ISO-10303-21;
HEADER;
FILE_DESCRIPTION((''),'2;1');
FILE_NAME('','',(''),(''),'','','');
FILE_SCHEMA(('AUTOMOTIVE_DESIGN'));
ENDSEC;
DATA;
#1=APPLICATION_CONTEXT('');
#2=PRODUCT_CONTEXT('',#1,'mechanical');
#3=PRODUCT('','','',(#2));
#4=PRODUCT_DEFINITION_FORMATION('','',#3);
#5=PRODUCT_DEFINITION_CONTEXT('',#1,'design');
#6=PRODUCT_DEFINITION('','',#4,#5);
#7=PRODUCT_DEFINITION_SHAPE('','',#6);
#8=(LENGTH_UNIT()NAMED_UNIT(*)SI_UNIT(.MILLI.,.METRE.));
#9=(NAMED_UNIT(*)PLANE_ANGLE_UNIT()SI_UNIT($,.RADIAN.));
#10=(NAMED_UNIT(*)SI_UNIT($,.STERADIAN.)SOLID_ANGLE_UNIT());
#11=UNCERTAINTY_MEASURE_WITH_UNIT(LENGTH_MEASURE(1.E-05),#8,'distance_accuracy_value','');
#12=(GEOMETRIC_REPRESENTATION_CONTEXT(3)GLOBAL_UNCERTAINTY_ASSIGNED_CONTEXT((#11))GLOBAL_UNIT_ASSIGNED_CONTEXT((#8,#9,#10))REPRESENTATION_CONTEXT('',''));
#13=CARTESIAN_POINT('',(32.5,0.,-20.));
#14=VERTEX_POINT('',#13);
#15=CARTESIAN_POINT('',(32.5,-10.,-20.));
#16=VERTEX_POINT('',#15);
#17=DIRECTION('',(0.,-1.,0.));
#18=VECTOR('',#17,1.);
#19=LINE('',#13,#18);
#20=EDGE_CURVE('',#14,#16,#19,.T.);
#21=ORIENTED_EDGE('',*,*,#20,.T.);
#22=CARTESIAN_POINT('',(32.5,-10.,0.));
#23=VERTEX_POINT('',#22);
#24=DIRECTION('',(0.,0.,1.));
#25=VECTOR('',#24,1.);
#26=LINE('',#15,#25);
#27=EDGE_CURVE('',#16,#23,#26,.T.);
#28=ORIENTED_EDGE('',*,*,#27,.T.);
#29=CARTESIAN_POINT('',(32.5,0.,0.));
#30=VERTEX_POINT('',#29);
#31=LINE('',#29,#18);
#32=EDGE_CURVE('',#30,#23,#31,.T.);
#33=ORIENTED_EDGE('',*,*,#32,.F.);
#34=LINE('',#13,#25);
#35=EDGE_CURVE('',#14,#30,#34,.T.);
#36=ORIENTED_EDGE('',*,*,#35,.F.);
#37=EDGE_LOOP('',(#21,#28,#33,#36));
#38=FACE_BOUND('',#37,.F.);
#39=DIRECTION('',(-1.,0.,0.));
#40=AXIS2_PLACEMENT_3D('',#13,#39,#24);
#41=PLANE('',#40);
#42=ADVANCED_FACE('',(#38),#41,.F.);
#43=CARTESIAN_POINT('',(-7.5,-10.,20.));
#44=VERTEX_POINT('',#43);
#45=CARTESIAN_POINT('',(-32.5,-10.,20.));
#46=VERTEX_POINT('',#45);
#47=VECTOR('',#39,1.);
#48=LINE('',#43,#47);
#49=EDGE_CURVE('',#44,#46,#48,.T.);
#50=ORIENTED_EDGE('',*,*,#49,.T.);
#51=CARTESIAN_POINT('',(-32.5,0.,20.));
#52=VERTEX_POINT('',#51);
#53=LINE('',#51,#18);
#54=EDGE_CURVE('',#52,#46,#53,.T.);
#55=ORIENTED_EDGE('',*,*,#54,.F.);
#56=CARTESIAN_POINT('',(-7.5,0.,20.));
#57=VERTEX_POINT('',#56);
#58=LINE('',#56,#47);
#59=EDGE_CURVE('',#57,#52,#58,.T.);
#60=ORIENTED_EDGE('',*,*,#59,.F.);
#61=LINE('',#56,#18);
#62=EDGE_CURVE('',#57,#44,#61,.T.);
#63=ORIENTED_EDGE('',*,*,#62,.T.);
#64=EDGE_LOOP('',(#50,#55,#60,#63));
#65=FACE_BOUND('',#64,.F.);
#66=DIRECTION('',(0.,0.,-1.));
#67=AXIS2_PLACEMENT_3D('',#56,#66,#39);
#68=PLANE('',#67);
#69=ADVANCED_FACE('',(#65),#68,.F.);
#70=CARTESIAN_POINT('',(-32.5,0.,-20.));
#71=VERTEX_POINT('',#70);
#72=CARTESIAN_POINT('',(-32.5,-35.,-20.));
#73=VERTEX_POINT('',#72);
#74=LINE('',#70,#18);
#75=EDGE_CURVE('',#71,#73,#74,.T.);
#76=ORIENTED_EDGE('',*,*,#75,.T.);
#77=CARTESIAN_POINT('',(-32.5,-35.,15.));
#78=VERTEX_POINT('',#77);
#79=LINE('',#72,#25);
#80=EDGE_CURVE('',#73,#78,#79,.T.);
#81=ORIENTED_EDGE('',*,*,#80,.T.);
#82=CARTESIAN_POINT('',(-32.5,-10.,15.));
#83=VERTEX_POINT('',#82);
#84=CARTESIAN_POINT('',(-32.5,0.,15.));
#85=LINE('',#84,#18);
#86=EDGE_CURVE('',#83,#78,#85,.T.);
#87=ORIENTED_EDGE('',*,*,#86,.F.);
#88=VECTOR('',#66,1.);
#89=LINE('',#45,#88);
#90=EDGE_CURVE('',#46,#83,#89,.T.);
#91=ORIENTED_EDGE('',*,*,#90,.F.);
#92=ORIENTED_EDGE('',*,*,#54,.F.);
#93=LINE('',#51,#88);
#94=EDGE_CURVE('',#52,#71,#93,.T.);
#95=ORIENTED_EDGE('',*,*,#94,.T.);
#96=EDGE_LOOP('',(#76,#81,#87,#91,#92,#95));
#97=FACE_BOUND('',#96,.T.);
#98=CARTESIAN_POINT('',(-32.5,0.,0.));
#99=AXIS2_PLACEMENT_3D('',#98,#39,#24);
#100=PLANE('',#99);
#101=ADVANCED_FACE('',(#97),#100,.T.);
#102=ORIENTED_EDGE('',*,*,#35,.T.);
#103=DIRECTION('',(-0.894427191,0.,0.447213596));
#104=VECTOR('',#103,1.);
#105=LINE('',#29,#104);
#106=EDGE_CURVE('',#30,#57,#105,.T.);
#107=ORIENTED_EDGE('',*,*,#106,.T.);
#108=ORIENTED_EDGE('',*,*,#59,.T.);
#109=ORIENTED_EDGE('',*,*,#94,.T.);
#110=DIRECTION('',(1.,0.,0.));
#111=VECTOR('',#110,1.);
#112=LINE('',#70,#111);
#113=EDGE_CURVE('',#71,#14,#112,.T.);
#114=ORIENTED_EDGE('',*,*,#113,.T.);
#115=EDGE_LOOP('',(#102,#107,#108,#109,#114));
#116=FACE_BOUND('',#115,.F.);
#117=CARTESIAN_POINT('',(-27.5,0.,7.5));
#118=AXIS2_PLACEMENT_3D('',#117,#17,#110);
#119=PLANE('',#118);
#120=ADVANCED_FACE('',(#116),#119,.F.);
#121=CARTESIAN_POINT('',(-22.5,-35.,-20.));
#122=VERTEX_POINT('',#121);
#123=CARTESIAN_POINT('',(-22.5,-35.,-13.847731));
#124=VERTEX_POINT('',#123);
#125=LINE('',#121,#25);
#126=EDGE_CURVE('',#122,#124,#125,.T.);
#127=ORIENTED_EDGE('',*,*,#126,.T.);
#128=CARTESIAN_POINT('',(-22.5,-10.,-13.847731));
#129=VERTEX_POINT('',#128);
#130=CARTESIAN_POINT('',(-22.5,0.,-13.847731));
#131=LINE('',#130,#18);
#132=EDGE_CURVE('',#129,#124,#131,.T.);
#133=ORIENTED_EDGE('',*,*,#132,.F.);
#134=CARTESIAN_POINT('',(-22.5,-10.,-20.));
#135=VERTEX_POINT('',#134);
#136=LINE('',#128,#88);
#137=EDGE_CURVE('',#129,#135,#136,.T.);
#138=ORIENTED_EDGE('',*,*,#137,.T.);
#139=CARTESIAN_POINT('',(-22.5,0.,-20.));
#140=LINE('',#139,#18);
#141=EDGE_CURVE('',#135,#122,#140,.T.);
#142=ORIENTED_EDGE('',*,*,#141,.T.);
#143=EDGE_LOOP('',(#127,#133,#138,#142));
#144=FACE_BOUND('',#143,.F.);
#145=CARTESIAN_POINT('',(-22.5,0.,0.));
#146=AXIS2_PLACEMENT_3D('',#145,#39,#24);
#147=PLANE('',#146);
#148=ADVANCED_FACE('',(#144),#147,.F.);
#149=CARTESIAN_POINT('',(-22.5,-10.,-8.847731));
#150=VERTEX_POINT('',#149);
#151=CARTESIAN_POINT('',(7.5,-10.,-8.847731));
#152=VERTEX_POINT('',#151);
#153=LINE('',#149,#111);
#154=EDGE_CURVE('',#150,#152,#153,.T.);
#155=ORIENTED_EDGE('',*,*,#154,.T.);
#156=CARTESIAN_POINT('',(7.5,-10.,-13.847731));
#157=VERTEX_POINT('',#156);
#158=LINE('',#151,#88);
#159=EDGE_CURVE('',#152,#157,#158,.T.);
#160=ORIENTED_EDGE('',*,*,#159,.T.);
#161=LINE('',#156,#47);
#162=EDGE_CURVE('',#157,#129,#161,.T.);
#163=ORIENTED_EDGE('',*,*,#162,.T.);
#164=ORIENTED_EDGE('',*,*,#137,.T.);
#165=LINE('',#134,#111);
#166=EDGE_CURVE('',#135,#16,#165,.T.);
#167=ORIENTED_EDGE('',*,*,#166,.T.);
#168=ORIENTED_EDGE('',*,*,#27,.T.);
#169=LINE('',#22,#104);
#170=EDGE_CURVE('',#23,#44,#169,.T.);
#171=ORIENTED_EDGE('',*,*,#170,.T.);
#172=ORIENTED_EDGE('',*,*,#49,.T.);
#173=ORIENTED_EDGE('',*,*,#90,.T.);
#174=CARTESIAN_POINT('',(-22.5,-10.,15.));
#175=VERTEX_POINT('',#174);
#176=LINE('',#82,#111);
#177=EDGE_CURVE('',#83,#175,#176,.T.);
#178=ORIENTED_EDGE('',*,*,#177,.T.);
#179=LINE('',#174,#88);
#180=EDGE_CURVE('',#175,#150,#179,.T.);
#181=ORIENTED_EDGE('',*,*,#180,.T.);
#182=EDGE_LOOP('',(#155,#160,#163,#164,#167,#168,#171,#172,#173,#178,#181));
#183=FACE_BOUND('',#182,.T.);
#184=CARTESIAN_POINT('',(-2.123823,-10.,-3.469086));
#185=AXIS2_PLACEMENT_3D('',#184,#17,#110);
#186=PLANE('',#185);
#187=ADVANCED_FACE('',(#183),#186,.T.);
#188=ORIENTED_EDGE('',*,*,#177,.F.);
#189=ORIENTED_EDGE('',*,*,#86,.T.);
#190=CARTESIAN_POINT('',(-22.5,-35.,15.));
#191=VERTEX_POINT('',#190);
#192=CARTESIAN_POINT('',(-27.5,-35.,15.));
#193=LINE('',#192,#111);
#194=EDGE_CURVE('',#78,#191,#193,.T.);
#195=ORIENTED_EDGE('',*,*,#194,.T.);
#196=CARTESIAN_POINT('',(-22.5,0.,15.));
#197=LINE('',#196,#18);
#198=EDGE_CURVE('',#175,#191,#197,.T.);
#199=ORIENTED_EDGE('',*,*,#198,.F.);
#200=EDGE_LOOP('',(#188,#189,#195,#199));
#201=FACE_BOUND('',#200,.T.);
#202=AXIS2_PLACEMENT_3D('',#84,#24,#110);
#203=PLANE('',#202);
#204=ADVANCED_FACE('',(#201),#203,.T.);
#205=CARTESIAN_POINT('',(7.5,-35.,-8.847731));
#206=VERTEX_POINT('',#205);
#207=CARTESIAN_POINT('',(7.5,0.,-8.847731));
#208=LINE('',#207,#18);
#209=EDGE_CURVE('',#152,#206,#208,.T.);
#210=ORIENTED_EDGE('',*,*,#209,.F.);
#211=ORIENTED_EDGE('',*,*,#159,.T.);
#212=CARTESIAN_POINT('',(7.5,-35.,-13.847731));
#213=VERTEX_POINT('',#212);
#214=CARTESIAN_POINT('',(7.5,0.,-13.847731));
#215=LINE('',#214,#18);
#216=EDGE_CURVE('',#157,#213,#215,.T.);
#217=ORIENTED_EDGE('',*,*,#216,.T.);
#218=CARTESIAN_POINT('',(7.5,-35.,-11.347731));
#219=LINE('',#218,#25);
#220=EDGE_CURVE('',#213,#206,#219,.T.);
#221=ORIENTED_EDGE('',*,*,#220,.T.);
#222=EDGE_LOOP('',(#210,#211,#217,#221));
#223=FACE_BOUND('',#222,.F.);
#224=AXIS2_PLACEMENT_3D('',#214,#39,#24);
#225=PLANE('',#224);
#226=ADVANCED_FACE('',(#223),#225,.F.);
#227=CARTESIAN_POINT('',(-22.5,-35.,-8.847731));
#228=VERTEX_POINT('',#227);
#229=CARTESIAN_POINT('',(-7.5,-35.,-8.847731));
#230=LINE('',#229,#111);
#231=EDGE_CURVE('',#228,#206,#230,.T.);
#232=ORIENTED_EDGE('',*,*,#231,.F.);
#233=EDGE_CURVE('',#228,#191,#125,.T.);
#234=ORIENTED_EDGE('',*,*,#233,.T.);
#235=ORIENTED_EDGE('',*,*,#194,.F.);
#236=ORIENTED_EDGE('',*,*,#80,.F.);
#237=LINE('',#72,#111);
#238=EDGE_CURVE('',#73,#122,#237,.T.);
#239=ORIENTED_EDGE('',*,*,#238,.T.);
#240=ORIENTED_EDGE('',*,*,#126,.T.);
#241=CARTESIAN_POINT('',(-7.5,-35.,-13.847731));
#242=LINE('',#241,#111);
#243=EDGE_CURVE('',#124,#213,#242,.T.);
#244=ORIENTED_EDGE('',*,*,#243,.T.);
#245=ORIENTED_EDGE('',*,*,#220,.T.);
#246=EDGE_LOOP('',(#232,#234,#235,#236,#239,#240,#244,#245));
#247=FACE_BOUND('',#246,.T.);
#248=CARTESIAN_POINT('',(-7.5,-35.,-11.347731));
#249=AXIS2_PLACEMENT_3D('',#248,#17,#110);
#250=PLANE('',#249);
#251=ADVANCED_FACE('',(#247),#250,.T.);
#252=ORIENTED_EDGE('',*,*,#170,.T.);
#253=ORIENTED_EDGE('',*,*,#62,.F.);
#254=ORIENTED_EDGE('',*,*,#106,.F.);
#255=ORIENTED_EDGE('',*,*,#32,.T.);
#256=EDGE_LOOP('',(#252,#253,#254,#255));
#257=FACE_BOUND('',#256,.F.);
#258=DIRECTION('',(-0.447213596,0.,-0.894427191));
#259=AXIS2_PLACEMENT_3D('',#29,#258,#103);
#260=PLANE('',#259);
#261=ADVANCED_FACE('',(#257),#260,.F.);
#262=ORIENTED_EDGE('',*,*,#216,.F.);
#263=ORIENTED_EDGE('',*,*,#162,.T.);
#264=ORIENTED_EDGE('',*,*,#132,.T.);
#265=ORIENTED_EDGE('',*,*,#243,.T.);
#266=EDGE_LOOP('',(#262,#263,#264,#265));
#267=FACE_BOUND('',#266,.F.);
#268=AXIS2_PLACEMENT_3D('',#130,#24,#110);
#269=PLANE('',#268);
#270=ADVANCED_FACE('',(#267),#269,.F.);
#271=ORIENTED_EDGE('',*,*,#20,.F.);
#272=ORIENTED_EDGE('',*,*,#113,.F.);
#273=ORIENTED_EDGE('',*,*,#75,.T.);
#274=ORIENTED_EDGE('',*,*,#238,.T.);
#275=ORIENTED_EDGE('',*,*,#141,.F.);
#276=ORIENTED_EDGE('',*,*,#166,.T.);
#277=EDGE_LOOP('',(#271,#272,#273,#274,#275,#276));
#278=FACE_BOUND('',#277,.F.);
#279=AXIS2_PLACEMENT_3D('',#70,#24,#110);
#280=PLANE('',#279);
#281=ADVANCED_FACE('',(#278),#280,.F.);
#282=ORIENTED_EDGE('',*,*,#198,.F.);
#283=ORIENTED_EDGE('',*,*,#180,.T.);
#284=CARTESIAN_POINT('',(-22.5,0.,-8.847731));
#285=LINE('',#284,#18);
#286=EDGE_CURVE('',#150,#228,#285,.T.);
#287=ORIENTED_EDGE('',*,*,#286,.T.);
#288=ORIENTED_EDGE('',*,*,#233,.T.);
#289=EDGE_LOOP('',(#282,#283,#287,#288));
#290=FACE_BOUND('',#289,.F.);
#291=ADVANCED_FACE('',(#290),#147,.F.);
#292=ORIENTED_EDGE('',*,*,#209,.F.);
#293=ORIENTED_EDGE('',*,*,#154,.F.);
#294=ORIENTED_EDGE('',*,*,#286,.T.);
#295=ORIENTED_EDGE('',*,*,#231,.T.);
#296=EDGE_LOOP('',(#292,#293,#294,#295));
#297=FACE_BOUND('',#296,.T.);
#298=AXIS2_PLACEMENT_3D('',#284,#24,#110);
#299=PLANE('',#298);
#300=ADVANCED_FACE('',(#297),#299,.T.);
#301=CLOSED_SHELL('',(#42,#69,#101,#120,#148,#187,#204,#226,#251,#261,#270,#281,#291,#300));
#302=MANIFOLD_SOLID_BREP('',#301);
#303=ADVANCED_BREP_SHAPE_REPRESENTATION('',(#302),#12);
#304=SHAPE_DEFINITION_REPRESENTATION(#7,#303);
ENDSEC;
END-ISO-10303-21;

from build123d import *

# Parameters (mm, degrees)
F1_DEPTH = 10
F2_DEPTH = 35
F0_W     = 10
F0_H     = 15
F3_DEPTH = 35
F0_W_2   = 30
F0_H_2   = 5
F4_DEPTH = 35


with BuildPart() as f1:
    # F0 (on Front) → F1 (new body)
    with BuildSketch(Plane.XZ):
        Polygon((-22.5, -20), (32.5, -20), (32.5, 0), (-7.5, 20), (-32.5, 20), (-32.5, 15), (-22.5, 15), (-22.5, 0), (-22.5, -8.847731), (7.5, -8.847731), (7.5, -13.847731), (-22.5, -13.847731), align=None)
    extrude(amount=F1_DEPTH)

    # F0 (on Front) → F2 (join)
    with BuildSketch(Plane.XZ):
        Polygon((-32.5, -20), (-22.5, -20), (-22.5, -13.847731), (-22.5, -8.847731), (-22.5, 0), (-32.5, 0), align=None)
    extrude(amount=F2_DEPTH)

    # F0 (on Front) → F3 (join)
    with BuildSketch(Plane.XZ):
        with Locations((-27.5, 7.5)):
            Rectangle(F0_W, F0_H)
    extrude(amount=F3_DEPTH)

    # F0 (on Front) → F4 (join)
    with BuildSketch(Plane.XZ):
        with Locations((-7.5, -11.347731)):
            Rectangle(F0_W_2, F0_H_2)
    extrude(amount=F4_DEPTH)


solid = f1.part
